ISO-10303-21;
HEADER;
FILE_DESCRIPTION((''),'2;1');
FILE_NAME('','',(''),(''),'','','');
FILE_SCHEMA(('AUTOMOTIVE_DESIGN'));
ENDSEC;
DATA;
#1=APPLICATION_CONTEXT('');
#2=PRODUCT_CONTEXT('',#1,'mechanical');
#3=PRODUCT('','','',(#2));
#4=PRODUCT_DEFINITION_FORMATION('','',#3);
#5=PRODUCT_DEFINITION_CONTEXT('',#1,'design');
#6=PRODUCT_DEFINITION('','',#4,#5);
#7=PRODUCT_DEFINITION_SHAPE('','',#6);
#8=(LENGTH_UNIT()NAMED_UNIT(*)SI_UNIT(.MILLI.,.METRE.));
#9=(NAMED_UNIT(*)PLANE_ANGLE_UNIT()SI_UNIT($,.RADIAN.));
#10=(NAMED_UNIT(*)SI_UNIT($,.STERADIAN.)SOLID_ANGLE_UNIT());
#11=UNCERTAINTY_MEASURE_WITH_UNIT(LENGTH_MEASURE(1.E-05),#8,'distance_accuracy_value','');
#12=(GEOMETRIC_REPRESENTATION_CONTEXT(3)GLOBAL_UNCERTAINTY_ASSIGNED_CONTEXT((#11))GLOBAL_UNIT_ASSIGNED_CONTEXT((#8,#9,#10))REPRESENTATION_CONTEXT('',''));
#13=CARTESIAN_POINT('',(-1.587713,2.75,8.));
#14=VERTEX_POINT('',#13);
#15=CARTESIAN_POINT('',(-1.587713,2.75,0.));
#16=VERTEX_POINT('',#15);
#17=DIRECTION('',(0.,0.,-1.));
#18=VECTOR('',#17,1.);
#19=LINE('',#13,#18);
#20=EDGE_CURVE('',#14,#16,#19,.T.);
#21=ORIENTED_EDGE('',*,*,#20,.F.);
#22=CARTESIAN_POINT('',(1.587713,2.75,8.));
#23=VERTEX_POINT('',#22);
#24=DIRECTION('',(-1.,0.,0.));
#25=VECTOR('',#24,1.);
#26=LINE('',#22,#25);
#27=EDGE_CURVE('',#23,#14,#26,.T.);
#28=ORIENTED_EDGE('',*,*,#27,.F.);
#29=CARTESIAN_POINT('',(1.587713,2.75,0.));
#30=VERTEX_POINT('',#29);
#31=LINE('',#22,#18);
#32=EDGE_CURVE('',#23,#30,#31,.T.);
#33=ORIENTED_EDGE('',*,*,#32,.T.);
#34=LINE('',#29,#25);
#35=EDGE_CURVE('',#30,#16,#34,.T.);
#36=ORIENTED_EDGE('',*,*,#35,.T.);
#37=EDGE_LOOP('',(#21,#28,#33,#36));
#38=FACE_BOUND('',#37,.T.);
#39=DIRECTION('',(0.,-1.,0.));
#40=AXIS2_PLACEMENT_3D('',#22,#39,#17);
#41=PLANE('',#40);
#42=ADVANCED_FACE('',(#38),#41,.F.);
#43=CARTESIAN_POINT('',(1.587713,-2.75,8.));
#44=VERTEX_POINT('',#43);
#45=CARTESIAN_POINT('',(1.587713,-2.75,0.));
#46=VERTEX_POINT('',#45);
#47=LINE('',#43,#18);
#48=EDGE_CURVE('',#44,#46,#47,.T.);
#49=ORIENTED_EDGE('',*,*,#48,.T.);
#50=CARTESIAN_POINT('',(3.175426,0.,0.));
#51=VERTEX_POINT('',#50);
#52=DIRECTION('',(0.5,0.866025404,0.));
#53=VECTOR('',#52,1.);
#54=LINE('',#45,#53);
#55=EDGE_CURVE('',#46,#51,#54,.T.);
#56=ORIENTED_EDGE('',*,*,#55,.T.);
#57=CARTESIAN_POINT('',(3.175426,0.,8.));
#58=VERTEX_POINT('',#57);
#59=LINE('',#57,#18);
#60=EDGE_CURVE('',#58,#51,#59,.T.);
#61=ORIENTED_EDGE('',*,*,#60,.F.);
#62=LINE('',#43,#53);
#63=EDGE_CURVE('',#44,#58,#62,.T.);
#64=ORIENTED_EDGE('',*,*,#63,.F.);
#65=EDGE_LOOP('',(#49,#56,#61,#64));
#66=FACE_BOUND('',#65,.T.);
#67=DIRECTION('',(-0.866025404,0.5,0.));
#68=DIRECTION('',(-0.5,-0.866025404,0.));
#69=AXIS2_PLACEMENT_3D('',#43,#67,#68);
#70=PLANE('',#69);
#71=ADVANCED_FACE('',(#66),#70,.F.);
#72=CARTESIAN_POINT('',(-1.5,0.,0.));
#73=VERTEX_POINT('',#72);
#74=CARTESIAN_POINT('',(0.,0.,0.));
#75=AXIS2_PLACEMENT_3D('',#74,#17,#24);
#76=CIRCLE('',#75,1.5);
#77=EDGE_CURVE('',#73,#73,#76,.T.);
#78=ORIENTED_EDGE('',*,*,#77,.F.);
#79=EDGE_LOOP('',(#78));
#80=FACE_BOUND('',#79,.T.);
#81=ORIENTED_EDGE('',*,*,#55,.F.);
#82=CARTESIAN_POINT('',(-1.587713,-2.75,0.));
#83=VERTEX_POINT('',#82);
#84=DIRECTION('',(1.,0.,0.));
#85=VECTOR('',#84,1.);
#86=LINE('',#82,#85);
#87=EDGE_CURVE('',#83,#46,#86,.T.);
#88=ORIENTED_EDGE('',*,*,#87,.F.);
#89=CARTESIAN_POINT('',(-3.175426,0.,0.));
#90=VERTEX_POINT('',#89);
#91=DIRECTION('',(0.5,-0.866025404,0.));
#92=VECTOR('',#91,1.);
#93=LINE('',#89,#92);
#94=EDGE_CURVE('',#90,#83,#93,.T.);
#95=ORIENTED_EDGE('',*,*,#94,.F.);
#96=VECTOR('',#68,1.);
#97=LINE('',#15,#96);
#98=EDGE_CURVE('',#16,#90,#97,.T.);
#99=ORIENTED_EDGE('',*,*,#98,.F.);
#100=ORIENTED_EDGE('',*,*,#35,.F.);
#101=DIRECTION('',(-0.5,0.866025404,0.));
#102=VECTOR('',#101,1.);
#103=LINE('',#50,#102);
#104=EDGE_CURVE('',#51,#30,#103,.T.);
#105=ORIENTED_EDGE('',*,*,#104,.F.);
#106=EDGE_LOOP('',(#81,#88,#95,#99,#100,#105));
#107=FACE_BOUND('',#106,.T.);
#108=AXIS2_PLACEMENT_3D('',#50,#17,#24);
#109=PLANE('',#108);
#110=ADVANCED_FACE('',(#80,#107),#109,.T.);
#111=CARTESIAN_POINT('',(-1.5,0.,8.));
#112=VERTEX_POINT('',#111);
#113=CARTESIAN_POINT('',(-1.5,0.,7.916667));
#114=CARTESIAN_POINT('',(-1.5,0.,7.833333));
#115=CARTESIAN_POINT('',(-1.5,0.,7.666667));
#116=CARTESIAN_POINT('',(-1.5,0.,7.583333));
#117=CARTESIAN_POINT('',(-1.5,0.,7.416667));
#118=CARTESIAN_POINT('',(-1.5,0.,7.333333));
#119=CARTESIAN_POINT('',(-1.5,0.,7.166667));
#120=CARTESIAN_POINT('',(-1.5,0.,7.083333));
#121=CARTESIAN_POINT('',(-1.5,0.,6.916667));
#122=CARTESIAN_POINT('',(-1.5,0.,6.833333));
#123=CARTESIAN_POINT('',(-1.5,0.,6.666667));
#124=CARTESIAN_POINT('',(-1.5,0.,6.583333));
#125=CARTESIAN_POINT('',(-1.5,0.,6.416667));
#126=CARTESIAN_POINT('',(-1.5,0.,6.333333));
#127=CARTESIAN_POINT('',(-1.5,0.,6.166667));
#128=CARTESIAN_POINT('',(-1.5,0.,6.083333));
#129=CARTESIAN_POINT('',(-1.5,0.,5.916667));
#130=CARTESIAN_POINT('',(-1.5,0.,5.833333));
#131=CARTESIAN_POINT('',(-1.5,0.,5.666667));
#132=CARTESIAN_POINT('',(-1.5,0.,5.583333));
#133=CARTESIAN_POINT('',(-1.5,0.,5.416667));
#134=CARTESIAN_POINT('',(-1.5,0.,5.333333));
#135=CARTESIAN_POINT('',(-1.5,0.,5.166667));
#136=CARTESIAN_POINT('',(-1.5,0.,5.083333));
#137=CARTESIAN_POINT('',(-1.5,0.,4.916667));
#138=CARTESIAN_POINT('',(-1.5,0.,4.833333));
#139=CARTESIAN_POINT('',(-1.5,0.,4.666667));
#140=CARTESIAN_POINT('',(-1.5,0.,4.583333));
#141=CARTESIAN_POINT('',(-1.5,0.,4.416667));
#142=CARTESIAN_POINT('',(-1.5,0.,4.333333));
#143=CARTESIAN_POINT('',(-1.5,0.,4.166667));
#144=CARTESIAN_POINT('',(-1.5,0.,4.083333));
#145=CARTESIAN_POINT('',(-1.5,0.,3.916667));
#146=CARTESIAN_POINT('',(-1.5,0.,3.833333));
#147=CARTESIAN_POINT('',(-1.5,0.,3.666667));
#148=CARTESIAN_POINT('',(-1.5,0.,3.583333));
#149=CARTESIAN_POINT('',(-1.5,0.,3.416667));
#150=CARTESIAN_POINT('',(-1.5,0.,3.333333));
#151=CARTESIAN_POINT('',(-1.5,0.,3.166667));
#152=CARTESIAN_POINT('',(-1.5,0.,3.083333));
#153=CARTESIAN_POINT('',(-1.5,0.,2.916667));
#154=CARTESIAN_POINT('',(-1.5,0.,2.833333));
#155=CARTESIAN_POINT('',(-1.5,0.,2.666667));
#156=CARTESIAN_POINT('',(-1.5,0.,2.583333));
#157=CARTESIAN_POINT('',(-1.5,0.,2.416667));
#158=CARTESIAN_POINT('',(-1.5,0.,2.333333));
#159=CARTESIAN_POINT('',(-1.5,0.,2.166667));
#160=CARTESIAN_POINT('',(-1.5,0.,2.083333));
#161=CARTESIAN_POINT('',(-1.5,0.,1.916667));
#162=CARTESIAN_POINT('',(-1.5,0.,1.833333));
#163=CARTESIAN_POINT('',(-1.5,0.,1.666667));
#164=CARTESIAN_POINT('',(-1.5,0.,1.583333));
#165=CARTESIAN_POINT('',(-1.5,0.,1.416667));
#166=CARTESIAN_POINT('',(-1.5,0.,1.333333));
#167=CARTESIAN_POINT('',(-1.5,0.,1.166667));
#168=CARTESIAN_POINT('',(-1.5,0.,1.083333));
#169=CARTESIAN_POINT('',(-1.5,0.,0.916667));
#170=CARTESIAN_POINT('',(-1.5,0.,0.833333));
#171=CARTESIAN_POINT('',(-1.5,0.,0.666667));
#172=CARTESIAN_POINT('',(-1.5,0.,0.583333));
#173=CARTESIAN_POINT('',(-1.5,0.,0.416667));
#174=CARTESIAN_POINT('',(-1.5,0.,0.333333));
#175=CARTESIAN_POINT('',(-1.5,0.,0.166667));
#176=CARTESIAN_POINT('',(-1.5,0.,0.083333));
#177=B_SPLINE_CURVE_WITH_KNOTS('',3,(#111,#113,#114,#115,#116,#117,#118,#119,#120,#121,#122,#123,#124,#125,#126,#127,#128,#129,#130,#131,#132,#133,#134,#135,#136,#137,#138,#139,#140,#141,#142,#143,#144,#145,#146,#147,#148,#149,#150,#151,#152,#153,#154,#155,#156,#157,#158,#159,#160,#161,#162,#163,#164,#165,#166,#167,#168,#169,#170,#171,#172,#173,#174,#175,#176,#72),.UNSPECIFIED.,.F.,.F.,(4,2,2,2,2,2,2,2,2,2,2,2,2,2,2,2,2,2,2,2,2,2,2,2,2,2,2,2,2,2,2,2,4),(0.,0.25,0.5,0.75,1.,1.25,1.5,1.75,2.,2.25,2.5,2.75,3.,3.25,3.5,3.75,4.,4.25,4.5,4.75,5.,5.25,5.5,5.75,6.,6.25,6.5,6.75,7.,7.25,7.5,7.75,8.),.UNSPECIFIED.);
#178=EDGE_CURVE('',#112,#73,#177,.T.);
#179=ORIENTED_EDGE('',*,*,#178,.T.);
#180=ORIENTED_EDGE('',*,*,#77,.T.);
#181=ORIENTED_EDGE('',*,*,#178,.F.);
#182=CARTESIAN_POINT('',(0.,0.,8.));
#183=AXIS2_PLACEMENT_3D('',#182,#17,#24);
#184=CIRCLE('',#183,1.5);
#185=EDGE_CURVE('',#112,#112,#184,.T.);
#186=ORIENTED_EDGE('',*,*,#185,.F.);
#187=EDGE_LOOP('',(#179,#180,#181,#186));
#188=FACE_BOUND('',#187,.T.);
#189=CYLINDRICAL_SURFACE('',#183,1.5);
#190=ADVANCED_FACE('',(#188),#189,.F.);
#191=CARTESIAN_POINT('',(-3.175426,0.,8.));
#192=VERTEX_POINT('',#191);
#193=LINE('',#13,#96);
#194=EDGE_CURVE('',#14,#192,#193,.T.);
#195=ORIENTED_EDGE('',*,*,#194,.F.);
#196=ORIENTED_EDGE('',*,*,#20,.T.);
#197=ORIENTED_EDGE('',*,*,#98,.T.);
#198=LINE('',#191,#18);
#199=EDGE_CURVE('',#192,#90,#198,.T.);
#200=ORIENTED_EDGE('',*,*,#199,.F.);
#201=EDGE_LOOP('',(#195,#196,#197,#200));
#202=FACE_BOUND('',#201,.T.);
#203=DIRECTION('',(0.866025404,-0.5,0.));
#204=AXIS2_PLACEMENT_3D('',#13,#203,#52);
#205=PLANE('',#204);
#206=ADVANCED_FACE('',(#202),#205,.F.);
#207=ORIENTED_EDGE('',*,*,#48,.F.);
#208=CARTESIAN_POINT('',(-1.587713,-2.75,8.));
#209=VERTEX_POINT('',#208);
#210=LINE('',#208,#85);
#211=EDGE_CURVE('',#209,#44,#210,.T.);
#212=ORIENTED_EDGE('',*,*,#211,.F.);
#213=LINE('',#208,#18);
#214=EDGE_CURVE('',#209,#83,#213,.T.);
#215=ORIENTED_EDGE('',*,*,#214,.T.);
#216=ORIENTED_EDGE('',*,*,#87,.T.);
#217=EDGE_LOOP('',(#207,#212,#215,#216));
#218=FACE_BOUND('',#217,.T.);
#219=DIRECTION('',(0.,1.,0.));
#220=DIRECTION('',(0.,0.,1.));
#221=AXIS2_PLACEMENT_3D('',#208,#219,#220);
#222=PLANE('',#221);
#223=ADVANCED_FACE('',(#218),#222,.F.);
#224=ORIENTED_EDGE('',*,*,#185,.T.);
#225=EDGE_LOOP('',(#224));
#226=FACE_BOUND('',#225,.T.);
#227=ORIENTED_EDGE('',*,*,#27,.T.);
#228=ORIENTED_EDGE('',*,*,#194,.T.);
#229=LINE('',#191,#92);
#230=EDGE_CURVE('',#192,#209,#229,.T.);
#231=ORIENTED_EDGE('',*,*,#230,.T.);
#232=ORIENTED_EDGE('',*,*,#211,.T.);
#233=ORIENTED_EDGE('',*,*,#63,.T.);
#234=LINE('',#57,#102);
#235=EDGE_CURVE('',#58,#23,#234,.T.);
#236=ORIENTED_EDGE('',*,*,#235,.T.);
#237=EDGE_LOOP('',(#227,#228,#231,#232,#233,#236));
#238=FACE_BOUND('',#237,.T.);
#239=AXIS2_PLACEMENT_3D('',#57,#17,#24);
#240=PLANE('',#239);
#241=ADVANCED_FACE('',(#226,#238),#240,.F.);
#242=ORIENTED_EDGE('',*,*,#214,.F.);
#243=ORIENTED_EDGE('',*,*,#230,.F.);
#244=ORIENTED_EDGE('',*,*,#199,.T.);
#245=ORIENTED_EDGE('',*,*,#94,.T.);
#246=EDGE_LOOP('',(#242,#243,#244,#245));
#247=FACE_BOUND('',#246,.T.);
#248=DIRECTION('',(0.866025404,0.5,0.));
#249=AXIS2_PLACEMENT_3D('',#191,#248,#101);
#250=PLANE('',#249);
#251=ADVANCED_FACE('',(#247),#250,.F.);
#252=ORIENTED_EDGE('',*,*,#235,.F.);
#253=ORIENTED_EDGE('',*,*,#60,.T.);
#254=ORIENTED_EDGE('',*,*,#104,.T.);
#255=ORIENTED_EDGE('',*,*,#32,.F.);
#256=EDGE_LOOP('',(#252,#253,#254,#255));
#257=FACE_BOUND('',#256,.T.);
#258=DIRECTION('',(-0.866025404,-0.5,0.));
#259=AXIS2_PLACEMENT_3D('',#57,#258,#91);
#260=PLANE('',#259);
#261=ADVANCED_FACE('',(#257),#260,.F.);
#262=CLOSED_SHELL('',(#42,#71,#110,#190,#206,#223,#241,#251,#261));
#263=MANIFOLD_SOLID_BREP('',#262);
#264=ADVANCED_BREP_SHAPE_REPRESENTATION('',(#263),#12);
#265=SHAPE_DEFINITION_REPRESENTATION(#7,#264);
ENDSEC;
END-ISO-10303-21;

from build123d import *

# Parameters (mm, degrees)
BASE_EXTRUSION_DEPTH    = 8
ESQUISSE3_R             = 1.5
ENL_V_MAT_EXTRU_1_DEPTH = 10.035808394


with BuildPart() as part:
    # Esquisse1 → Base-Extrusion (new body)
    with BuildSketch(Plane.XY):
        Polygon((1.58771324, 2.75), (-1.58771324, 2.75), (-3.175426481, 0), (-1.58771324, -2.75), (1.58771324, -2.75), (3.175426481, 0), align=None)
    extrude(amount=BASE_EXTRUSION_DEPTH)

    # Esquisse3 → Enlèv. mat.-Extru.1 (cut, through all)
    with BuildSketch(Plane(origin=(0, 0, 0), x_dir=(-1, 0, 0), z_dir=(0, 0, -1))):
        Circle(ESQUISSE3_R)
    extrude(amount=-ENL_V_MAT_EXTRU_1_DEPTH, mode=Mode.SUBTRACT)


solid = part.part
